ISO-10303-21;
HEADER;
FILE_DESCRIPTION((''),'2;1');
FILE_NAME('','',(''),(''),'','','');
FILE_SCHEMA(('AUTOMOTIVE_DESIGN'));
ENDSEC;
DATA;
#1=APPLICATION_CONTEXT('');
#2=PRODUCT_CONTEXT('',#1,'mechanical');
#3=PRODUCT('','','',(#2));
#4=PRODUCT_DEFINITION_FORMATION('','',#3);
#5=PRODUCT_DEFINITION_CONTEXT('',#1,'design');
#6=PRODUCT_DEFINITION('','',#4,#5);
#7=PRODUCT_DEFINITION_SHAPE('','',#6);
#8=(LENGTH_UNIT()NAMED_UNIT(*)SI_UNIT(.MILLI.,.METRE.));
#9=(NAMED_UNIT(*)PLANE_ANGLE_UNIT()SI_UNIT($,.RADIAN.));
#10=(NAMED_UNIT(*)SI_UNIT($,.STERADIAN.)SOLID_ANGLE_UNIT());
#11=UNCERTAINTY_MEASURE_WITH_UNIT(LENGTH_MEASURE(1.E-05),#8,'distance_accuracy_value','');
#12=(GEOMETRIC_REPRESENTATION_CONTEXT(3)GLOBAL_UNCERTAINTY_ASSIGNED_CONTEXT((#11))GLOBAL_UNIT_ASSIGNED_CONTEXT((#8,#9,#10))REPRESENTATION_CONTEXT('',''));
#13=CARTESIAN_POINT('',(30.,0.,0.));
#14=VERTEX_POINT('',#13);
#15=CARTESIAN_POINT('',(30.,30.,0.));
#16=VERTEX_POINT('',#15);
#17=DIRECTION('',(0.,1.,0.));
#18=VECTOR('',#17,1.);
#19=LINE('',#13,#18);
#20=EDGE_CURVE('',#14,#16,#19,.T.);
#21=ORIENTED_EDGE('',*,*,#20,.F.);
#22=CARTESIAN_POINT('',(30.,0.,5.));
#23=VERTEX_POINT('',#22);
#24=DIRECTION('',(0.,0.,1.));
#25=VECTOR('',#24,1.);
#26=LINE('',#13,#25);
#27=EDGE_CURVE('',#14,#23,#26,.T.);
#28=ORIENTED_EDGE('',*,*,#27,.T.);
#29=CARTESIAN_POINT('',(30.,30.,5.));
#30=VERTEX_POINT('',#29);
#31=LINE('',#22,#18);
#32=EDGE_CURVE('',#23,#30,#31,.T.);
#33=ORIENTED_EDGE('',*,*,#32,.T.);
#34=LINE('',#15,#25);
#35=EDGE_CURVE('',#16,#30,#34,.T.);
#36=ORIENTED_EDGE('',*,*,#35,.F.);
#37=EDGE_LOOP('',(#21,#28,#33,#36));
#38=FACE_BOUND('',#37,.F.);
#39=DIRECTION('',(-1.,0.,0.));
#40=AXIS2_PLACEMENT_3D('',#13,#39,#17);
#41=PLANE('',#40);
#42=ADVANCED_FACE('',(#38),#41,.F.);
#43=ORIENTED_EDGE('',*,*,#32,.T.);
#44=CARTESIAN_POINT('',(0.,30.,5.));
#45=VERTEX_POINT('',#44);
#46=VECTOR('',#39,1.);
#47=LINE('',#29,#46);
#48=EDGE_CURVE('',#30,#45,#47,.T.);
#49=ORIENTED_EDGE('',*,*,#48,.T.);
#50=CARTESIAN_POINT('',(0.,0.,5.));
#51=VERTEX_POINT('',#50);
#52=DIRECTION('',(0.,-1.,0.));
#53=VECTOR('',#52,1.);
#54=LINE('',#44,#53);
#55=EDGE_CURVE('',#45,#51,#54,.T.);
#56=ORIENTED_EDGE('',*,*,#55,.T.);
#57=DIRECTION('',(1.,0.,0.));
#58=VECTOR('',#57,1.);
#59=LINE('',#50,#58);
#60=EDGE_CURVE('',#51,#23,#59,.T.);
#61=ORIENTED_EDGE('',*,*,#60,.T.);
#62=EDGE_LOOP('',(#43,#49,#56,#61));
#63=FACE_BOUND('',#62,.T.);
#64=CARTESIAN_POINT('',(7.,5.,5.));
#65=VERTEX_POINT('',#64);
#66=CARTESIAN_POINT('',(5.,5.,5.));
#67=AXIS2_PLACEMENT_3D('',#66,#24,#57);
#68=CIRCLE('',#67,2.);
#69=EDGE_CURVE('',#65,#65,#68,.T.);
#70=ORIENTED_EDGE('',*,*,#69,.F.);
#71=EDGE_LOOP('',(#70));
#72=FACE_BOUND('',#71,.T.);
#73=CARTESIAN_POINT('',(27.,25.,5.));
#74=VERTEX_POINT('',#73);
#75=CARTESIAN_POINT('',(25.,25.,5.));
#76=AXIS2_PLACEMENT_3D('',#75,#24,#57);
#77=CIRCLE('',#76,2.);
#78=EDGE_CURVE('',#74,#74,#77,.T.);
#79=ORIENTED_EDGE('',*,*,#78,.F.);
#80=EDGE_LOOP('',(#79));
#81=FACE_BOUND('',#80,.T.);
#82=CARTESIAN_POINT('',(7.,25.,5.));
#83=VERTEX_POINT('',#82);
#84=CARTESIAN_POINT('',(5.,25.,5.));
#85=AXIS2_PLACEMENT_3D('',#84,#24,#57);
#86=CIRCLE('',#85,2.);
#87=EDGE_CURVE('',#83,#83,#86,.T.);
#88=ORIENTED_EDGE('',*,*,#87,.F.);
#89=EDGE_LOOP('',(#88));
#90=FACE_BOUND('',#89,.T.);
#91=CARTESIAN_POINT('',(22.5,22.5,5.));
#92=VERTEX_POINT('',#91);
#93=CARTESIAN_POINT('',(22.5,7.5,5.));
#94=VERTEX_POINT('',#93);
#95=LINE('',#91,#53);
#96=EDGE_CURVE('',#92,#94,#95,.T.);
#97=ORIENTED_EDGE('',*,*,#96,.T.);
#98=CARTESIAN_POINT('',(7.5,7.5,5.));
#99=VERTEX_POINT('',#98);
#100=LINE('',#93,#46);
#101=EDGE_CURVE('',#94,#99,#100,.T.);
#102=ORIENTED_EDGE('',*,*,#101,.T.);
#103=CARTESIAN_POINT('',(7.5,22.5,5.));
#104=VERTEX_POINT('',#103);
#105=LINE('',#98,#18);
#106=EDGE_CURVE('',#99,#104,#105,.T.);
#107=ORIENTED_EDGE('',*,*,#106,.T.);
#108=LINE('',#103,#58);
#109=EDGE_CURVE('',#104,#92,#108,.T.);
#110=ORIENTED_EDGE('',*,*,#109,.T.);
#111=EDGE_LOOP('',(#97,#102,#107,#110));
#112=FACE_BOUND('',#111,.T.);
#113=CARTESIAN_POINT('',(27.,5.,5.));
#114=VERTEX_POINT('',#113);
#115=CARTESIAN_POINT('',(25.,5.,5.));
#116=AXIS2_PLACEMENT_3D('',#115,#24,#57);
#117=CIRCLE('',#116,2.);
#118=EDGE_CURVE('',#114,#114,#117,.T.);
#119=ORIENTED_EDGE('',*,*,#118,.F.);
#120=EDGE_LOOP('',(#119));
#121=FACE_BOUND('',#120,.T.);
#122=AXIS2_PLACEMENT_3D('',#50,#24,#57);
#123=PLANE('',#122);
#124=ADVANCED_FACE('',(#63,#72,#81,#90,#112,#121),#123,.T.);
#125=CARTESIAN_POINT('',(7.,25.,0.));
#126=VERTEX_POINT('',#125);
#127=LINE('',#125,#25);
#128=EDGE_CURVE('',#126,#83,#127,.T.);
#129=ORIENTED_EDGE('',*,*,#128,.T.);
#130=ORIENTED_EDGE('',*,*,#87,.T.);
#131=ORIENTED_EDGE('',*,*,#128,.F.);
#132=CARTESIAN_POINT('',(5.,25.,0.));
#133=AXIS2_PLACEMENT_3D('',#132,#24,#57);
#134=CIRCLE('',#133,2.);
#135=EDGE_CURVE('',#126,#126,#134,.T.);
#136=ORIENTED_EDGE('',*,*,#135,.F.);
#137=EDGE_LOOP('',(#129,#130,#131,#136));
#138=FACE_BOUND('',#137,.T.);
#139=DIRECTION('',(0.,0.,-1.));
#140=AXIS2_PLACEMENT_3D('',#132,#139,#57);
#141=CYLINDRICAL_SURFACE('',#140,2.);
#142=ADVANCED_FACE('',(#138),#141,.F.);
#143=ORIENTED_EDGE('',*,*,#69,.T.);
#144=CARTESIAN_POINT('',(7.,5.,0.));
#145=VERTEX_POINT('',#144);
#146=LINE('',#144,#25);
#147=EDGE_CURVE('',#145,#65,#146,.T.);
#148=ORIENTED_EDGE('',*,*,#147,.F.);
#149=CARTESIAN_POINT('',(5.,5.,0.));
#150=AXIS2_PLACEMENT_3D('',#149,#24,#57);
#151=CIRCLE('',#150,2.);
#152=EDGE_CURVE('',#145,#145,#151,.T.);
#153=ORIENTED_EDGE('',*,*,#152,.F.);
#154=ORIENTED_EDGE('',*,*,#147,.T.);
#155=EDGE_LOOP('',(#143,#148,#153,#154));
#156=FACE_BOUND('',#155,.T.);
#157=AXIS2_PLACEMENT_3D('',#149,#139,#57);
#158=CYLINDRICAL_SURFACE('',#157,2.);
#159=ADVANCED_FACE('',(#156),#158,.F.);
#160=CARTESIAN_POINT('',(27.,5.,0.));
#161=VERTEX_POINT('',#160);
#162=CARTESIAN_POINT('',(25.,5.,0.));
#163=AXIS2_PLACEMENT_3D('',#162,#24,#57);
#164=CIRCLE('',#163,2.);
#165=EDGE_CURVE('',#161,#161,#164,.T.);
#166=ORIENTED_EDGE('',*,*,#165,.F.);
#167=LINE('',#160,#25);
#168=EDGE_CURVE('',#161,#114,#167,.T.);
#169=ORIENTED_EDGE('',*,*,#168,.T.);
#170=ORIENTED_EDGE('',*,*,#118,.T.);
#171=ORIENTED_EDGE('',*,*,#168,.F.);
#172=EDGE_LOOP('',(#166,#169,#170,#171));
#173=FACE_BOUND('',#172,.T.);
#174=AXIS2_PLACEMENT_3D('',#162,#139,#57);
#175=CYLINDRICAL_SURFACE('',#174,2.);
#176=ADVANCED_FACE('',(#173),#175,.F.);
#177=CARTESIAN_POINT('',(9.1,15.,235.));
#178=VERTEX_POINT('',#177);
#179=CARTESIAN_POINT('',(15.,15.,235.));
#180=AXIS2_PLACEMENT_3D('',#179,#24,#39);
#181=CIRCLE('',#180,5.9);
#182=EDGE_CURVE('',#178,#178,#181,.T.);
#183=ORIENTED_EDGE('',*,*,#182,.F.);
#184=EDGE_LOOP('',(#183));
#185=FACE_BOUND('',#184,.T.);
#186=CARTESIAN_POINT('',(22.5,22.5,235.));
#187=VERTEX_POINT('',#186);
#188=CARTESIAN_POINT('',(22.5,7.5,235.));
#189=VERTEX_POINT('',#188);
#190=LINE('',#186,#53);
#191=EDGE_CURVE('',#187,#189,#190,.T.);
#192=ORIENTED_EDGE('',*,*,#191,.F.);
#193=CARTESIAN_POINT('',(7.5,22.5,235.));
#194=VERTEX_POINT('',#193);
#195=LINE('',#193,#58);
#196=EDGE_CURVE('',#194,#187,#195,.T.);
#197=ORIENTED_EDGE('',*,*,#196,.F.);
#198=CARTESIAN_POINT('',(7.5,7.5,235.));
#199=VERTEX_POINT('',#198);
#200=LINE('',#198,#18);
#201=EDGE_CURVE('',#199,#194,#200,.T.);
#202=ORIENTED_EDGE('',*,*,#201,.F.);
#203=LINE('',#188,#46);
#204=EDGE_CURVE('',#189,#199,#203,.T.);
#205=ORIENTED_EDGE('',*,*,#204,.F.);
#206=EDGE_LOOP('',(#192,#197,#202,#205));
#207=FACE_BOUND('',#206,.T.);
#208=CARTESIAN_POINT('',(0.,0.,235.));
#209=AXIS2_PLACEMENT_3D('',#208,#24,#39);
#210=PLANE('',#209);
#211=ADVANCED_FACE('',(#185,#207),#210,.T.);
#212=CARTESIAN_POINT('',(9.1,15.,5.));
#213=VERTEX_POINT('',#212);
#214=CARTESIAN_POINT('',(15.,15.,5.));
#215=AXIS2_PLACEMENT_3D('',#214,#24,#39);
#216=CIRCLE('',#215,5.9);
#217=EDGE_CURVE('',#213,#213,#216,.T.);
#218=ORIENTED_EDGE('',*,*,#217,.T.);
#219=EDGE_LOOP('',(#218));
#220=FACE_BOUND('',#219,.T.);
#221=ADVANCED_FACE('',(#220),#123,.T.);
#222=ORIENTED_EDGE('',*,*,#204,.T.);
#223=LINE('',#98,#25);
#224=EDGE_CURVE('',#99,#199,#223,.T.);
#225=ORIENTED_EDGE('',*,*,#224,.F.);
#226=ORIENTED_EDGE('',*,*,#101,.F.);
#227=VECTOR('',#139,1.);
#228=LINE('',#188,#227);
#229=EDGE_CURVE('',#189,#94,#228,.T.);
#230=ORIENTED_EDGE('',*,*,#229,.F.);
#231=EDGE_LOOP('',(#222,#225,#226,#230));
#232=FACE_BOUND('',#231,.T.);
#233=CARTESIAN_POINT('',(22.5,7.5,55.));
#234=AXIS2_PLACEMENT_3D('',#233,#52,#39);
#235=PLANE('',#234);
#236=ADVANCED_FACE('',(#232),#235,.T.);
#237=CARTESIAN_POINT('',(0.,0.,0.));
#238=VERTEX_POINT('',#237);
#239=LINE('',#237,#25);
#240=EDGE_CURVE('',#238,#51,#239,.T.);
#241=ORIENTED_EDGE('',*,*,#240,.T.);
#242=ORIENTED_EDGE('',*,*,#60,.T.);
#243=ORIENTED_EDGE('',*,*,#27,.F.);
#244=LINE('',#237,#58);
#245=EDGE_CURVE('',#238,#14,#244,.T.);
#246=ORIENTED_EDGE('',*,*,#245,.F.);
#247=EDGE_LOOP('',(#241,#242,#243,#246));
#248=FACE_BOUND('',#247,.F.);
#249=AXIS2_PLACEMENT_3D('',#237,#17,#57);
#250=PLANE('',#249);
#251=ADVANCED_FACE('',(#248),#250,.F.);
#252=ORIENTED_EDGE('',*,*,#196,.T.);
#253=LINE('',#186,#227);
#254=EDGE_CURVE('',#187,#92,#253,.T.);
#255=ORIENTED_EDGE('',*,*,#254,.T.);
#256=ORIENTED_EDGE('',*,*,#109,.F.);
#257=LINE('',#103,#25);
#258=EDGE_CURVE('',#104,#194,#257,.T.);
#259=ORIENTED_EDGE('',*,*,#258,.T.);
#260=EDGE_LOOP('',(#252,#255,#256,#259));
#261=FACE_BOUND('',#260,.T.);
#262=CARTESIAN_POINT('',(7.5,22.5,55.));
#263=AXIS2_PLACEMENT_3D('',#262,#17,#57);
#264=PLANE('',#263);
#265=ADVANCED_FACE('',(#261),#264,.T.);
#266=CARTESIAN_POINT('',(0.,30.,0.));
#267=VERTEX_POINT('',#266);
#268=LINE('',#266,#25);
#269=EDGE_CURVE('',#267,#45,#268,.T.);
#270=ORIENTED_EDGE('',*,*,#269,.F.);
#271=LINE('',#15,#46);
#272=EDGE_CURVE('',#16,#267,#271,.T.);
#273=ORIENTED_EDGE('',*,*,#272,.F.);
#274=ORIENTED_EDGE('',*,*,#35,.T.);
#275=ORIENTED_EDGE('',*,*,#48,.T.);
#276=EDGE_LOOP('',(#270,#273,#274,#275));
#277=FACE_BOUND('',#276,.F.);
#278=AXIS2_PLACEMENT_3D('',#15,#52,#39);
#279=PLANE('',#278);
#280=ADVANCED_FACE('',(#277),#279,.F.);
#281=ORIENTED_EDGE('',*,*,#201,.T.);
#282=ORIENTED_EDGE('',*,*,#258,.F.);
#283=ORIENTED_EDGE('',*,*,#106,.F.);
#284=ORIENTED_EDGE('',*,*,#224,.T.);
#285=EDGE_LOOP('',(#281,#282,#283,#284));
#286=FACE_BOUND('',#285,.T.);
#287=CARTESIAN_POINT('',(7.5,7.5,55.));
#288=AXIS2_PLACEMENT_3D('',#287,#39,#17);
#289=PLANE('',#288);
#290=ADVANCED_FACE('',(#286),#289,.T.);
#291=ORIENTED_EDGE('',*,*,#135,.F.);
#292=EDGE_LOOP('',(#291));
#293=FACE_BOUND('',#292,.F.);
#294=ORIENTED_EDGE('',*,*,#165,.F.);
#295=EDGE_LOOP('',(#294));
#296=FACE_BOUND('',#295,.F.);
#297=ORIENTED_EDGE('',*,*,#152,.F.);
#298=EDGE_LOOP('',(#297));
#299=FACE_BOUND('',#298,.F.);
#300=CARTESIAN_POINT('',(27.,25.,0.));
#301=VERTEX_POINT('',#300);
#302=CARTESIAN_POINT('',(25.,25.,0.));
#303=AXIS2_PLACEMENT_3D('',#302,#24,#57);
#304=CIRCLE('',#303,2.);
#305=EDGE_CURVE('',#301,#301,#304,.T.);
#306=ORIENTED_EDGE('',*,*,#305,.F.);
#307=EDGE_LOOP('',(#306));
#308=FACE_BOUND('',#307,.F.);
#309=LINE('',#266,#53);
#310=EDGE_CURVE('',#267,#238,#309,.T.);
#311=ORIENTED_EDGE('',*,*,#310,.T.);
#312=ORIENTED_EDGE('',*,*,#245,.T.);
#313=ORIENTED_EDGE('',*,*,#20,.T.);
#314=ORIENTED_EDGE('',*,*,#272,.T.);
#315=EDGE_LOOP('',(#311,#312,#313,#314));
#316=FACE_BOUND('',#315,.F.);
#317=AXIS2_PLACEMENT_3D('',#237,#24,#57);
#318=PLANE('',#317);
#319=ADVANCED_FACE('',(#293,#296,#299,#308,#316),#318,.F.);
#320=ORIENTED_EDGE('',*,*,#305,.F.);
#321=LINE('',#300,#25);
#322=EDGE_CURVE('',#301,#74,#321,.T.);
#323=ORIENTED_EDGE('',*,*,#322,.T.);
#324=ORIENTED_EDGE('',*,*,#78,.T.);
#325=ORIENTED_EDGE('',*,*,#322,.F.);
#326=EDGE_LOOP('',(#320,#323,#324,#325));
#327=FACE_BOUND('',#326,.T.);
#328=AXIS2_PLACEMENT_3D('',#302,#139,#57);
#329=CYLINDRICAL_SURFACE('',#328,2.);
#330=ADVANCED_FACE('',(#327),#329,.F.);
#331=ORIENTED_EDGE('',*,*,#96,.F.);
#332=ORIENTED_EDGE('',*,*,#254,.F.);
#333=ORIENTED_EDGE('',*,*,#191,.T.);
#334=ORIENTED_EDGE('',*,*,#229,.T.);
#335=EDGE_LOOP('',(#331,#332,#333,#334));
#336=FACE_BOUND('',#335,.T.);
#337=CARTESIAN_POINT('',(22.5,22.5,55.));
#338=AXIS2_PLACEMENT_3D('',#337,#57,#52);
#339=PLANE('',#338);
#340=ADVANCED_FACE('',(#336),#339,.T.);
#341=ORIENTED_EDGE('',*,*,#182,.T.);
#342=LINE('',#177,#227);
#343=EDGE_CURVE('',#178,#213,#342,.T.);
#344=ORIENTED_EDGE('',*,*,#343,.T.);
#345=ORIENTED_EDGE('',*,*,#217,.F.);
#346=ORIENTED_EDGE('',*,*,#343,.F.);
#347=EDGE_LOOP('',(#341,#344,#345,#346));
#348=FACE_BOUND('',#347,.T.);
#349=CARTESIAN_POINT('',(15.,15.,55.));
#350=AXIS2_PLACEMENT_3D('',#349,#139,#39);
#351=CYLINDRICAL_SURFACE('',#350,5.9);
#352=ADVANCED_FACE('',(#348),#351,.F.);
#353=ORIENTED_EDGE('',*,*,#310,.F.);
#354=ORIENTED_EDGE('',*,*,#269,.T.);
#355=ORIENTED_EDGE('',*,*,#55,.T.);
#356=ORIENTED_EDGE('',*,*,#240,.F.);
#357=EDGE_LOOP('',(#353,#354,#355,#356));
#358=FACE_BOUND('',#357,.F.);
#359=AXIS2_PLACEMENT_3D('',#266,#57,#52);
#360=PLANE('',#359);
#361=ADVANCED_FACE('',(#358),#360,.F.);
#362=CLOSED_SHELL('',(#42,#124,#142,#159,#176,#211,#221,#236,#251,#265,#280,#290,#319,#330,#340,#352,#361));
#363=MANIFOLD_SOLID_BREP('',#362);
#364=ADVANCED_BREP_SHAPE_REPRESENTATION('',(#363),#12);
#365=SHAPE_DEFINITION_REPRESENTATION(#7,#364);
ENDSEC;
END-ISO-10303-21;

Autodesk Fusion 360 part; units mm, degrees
sketch "Sketch1" plane through (0, 0, 0) normal (0, 0, 1) x (1, 0, 0) in component "Holder"
  line L0 (0, 0) -> (30, 0)
  line L1 (30, 0) -> (30, 30)
  line L2 (30, 30) -> (0, 30)
  line L3 (0, 30) -> (0, 0)
  circle A0 centre (5, 25) radius 2
  circle A1 centre (5, 5) radius 2
  circle A2 centre (25, 25) radius 2
  circle A3 centre (25, 5) radius 2
  dimension "d1" = 30
  dimension "d2" = 30
  dimension "d4" = 4
  dimension "d5" = 4
  dimension "d6" = 20
  dimension "d7" = 5
  dimension "d8" = 5
  dimension "d9" = 4
  dimension "d10" = 20
  dimension "d11" = 5
  dimension "d12" = 4
  dimension "d13" = 20
  dimension "d14" = 20
extrude "Extrude1" add sketch "Sketch1" along normal blind 5 in component "Holder"
sketch "Sketch2" plane through (0, 0, 5) normal (0, 0, 1) x (-1, 0, 0) in component "Holder"
  circle A0 centre (-5, -5) radius 2
  circle A1 centre (-25, -5) radius 2
  circle A2 centre (-5, -25) radius 2
  circle A3 centre (-25, -25) radius 2
  line L0 (0, -30) -> (0, 0)
  line L1 (0, 0) -> (-30, 0)
  line L2 (-30, 0) -> (-30, -30)
  line L3 (-30, -30) -> (0, -30)
  line L4 (-7.5, -22.5) -> (-22.5, -22.5)
  line L5 (-22.5, -22.5) -> (-22.5, -7.5)
  line L6 (-22.5, -7.5) -> (-7.5, -7.5)
  line L7 (-7.5, -7.5) -> (-7.5, -22.5)
  circle A4 centre (-15, -15) radius 5.9
  dimension "d17" = 15
  dimension "d18" = 15
  dimension "d19" = 7.5
  dimension "d20" = 7.5
  dimension "d21" = 11.8
  dimension "d22" = 15
extrude "Extrude2" add sketch "Sketch2" along normal blind 30 contours L4 L5 L6 L7 in component "Holder"
extrude "Extrude3" add 1 faces at (15.147, 8.0388, 35) along direction (0, 0, 1) blind 2 in component "Holder"
extrude "Extrude4" add 1 faces at (15.147, 8.0388, 37) along direction (0, 0, 1) blind 18 in component "Holder"
extrude "Extrude5" add 1 faces at (15.147, 8.0388, 55) along direction (0, 0, 1) blind 180 in component "Holder"
component "Holder" placed x (1, 0, 0) y (0, 1, 0) z (0, 0, 1) at (0, 0, 0)
